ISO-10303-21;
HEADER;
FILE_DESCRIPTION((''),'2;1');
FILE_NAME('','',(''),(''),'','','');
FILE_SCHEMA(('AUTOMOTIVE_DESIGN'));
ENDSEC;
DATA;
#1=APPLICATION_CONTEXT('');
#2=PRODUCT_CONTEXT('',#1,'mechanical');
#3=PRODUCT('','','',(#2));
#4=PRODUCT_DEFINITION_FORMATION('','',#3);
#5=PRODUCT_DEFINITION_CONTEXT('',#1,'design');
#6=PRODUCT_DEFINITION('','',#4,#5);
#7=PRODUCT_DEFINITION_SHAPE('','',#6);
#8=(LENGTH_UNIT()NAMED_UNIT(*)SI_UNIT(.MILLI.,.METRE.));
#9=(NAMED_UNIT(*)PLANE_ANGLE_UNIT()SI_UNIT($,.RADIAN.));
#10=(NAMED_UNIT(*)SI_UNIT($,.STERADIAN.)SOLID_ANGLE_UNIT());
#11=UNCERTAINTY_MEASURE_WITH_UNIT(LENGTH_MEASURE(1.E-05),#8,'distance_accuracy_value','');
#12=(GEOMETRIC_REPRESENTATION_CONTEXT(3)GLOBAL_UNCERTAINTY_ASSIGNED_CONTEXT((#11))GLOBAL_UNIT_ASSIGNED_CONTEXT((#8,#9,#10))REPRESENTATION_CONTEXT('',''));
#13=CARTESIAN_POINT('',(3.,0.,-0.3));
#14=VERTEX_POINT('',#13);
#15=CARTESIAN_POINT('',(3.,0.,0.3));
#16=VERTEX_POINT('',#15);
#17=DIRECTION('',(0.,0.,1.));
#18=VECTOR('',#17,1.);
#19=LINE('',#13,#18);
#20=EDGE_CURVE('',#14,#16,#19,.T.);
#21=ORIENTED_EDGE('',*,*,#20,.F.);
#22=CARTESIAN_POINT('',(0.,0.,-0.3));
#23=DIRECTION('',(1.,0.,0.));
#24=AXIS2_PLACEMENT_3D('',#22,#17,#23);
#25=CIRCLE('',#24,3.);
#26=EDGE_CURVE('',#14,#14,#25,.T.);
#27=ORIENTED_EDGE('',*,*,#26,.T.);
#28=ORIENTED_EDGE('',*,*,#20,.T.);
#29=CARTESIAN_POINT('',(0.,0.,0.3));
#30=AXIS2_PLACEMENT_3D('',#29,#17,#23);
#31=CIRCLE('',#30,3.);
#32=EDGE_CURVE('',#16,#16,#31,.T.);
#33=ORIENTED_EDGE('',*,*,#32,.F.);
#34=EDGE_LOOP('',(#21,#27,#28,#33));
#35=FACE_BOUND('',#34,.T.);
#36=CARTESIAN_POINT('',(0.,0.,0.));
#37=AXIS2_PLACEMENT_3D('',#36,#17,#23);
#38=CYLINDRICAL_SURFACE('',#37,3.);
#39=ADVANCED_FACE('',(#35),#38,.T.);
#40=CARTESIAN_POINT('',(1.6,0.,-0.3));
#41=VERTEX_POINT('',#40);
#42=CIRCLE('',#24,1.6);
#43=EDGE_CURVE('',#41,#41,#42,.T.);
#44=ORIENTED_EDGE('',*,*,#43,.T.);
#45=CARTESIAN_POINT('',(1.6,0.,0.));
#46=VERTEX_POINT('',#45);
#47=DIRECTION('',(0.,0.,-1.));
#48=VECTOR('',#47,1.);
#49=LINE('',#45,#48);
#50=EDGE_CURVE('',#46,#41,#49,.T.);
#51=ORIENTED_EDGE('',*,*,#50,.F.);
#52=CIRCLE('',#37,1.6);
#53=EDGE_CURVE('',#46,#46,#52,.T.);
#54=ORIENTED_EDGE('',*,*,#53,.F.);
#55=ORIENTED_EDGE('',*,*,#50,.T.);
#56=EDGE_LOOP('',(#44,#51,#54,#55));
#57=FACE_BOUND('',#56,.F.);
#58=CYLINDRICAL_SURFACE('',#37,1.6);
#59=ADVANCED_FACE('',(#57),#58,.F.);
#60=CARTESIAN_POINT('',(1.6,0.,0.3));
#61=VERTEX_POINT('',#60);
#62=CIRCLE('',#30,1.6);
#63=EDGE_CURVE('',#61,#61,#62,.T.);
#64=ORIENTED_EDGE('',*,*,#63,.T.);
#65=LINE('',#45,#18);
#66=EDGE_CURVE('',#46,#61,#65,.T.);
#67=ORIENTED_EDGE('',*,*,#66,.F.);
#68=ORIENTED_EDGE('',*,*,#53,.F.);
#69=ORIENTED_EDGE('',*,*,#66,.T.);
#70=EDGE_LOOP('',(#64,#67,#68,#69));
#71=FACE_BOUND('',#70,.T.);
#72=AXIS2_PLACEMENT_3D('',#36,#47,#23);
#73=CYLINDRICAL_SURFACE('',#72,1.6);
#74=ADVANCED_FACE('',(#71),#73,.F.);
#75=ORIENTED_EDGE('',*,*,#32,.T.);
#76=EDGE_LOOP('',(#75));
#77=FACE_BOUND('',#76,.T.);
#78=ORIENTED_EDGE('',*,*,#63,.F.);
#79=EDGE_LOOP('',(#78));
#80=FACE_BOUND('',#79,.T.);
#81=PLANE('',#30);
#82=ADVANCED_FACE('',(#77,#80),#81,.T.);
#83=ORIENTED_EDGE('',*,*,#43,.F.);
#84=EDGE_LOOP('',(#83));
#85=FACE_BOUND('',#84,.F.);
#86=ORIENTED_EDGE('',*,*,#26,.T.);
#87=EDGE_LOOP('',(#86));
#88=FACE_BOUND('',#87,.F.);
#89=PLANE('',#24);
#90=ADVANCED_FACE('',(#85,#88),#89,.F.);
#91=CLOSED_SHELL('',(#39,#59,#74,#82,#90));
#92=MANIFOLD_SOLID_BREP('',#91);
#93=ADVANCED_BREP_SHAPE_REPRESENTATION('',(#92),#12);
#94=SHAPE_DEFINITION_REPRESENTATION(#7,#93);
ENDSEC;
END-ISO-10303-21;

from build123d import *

# Parameters (mm, degrees)
SKETCH3_R                = 3
SKETCH3_R_2              = 1.6
BOSS_EXTRUDE1_DEPTH      = 0.3
BOSS_EXTRUDE1_DEPTH_BACK = 0.3


with BuildPart() as part:
    # Sketch3 → Boss-Extrude1 (new body, two sides)
    with BuildSketch(Plane.XY) as boss_extrude1_sk:
        Circle(SKETCH3_R)
        Circle(SKETCH3_R_2, mode=Mode.SUBTRACT)
    extrude(amount=BOSS_EXTRUDE1_DEPTH)
    extrude(boss_extrude1_sk.sketch, amount=-BOSS_EXTRUDE1_DEPTH_BACK)


solid = part.part
